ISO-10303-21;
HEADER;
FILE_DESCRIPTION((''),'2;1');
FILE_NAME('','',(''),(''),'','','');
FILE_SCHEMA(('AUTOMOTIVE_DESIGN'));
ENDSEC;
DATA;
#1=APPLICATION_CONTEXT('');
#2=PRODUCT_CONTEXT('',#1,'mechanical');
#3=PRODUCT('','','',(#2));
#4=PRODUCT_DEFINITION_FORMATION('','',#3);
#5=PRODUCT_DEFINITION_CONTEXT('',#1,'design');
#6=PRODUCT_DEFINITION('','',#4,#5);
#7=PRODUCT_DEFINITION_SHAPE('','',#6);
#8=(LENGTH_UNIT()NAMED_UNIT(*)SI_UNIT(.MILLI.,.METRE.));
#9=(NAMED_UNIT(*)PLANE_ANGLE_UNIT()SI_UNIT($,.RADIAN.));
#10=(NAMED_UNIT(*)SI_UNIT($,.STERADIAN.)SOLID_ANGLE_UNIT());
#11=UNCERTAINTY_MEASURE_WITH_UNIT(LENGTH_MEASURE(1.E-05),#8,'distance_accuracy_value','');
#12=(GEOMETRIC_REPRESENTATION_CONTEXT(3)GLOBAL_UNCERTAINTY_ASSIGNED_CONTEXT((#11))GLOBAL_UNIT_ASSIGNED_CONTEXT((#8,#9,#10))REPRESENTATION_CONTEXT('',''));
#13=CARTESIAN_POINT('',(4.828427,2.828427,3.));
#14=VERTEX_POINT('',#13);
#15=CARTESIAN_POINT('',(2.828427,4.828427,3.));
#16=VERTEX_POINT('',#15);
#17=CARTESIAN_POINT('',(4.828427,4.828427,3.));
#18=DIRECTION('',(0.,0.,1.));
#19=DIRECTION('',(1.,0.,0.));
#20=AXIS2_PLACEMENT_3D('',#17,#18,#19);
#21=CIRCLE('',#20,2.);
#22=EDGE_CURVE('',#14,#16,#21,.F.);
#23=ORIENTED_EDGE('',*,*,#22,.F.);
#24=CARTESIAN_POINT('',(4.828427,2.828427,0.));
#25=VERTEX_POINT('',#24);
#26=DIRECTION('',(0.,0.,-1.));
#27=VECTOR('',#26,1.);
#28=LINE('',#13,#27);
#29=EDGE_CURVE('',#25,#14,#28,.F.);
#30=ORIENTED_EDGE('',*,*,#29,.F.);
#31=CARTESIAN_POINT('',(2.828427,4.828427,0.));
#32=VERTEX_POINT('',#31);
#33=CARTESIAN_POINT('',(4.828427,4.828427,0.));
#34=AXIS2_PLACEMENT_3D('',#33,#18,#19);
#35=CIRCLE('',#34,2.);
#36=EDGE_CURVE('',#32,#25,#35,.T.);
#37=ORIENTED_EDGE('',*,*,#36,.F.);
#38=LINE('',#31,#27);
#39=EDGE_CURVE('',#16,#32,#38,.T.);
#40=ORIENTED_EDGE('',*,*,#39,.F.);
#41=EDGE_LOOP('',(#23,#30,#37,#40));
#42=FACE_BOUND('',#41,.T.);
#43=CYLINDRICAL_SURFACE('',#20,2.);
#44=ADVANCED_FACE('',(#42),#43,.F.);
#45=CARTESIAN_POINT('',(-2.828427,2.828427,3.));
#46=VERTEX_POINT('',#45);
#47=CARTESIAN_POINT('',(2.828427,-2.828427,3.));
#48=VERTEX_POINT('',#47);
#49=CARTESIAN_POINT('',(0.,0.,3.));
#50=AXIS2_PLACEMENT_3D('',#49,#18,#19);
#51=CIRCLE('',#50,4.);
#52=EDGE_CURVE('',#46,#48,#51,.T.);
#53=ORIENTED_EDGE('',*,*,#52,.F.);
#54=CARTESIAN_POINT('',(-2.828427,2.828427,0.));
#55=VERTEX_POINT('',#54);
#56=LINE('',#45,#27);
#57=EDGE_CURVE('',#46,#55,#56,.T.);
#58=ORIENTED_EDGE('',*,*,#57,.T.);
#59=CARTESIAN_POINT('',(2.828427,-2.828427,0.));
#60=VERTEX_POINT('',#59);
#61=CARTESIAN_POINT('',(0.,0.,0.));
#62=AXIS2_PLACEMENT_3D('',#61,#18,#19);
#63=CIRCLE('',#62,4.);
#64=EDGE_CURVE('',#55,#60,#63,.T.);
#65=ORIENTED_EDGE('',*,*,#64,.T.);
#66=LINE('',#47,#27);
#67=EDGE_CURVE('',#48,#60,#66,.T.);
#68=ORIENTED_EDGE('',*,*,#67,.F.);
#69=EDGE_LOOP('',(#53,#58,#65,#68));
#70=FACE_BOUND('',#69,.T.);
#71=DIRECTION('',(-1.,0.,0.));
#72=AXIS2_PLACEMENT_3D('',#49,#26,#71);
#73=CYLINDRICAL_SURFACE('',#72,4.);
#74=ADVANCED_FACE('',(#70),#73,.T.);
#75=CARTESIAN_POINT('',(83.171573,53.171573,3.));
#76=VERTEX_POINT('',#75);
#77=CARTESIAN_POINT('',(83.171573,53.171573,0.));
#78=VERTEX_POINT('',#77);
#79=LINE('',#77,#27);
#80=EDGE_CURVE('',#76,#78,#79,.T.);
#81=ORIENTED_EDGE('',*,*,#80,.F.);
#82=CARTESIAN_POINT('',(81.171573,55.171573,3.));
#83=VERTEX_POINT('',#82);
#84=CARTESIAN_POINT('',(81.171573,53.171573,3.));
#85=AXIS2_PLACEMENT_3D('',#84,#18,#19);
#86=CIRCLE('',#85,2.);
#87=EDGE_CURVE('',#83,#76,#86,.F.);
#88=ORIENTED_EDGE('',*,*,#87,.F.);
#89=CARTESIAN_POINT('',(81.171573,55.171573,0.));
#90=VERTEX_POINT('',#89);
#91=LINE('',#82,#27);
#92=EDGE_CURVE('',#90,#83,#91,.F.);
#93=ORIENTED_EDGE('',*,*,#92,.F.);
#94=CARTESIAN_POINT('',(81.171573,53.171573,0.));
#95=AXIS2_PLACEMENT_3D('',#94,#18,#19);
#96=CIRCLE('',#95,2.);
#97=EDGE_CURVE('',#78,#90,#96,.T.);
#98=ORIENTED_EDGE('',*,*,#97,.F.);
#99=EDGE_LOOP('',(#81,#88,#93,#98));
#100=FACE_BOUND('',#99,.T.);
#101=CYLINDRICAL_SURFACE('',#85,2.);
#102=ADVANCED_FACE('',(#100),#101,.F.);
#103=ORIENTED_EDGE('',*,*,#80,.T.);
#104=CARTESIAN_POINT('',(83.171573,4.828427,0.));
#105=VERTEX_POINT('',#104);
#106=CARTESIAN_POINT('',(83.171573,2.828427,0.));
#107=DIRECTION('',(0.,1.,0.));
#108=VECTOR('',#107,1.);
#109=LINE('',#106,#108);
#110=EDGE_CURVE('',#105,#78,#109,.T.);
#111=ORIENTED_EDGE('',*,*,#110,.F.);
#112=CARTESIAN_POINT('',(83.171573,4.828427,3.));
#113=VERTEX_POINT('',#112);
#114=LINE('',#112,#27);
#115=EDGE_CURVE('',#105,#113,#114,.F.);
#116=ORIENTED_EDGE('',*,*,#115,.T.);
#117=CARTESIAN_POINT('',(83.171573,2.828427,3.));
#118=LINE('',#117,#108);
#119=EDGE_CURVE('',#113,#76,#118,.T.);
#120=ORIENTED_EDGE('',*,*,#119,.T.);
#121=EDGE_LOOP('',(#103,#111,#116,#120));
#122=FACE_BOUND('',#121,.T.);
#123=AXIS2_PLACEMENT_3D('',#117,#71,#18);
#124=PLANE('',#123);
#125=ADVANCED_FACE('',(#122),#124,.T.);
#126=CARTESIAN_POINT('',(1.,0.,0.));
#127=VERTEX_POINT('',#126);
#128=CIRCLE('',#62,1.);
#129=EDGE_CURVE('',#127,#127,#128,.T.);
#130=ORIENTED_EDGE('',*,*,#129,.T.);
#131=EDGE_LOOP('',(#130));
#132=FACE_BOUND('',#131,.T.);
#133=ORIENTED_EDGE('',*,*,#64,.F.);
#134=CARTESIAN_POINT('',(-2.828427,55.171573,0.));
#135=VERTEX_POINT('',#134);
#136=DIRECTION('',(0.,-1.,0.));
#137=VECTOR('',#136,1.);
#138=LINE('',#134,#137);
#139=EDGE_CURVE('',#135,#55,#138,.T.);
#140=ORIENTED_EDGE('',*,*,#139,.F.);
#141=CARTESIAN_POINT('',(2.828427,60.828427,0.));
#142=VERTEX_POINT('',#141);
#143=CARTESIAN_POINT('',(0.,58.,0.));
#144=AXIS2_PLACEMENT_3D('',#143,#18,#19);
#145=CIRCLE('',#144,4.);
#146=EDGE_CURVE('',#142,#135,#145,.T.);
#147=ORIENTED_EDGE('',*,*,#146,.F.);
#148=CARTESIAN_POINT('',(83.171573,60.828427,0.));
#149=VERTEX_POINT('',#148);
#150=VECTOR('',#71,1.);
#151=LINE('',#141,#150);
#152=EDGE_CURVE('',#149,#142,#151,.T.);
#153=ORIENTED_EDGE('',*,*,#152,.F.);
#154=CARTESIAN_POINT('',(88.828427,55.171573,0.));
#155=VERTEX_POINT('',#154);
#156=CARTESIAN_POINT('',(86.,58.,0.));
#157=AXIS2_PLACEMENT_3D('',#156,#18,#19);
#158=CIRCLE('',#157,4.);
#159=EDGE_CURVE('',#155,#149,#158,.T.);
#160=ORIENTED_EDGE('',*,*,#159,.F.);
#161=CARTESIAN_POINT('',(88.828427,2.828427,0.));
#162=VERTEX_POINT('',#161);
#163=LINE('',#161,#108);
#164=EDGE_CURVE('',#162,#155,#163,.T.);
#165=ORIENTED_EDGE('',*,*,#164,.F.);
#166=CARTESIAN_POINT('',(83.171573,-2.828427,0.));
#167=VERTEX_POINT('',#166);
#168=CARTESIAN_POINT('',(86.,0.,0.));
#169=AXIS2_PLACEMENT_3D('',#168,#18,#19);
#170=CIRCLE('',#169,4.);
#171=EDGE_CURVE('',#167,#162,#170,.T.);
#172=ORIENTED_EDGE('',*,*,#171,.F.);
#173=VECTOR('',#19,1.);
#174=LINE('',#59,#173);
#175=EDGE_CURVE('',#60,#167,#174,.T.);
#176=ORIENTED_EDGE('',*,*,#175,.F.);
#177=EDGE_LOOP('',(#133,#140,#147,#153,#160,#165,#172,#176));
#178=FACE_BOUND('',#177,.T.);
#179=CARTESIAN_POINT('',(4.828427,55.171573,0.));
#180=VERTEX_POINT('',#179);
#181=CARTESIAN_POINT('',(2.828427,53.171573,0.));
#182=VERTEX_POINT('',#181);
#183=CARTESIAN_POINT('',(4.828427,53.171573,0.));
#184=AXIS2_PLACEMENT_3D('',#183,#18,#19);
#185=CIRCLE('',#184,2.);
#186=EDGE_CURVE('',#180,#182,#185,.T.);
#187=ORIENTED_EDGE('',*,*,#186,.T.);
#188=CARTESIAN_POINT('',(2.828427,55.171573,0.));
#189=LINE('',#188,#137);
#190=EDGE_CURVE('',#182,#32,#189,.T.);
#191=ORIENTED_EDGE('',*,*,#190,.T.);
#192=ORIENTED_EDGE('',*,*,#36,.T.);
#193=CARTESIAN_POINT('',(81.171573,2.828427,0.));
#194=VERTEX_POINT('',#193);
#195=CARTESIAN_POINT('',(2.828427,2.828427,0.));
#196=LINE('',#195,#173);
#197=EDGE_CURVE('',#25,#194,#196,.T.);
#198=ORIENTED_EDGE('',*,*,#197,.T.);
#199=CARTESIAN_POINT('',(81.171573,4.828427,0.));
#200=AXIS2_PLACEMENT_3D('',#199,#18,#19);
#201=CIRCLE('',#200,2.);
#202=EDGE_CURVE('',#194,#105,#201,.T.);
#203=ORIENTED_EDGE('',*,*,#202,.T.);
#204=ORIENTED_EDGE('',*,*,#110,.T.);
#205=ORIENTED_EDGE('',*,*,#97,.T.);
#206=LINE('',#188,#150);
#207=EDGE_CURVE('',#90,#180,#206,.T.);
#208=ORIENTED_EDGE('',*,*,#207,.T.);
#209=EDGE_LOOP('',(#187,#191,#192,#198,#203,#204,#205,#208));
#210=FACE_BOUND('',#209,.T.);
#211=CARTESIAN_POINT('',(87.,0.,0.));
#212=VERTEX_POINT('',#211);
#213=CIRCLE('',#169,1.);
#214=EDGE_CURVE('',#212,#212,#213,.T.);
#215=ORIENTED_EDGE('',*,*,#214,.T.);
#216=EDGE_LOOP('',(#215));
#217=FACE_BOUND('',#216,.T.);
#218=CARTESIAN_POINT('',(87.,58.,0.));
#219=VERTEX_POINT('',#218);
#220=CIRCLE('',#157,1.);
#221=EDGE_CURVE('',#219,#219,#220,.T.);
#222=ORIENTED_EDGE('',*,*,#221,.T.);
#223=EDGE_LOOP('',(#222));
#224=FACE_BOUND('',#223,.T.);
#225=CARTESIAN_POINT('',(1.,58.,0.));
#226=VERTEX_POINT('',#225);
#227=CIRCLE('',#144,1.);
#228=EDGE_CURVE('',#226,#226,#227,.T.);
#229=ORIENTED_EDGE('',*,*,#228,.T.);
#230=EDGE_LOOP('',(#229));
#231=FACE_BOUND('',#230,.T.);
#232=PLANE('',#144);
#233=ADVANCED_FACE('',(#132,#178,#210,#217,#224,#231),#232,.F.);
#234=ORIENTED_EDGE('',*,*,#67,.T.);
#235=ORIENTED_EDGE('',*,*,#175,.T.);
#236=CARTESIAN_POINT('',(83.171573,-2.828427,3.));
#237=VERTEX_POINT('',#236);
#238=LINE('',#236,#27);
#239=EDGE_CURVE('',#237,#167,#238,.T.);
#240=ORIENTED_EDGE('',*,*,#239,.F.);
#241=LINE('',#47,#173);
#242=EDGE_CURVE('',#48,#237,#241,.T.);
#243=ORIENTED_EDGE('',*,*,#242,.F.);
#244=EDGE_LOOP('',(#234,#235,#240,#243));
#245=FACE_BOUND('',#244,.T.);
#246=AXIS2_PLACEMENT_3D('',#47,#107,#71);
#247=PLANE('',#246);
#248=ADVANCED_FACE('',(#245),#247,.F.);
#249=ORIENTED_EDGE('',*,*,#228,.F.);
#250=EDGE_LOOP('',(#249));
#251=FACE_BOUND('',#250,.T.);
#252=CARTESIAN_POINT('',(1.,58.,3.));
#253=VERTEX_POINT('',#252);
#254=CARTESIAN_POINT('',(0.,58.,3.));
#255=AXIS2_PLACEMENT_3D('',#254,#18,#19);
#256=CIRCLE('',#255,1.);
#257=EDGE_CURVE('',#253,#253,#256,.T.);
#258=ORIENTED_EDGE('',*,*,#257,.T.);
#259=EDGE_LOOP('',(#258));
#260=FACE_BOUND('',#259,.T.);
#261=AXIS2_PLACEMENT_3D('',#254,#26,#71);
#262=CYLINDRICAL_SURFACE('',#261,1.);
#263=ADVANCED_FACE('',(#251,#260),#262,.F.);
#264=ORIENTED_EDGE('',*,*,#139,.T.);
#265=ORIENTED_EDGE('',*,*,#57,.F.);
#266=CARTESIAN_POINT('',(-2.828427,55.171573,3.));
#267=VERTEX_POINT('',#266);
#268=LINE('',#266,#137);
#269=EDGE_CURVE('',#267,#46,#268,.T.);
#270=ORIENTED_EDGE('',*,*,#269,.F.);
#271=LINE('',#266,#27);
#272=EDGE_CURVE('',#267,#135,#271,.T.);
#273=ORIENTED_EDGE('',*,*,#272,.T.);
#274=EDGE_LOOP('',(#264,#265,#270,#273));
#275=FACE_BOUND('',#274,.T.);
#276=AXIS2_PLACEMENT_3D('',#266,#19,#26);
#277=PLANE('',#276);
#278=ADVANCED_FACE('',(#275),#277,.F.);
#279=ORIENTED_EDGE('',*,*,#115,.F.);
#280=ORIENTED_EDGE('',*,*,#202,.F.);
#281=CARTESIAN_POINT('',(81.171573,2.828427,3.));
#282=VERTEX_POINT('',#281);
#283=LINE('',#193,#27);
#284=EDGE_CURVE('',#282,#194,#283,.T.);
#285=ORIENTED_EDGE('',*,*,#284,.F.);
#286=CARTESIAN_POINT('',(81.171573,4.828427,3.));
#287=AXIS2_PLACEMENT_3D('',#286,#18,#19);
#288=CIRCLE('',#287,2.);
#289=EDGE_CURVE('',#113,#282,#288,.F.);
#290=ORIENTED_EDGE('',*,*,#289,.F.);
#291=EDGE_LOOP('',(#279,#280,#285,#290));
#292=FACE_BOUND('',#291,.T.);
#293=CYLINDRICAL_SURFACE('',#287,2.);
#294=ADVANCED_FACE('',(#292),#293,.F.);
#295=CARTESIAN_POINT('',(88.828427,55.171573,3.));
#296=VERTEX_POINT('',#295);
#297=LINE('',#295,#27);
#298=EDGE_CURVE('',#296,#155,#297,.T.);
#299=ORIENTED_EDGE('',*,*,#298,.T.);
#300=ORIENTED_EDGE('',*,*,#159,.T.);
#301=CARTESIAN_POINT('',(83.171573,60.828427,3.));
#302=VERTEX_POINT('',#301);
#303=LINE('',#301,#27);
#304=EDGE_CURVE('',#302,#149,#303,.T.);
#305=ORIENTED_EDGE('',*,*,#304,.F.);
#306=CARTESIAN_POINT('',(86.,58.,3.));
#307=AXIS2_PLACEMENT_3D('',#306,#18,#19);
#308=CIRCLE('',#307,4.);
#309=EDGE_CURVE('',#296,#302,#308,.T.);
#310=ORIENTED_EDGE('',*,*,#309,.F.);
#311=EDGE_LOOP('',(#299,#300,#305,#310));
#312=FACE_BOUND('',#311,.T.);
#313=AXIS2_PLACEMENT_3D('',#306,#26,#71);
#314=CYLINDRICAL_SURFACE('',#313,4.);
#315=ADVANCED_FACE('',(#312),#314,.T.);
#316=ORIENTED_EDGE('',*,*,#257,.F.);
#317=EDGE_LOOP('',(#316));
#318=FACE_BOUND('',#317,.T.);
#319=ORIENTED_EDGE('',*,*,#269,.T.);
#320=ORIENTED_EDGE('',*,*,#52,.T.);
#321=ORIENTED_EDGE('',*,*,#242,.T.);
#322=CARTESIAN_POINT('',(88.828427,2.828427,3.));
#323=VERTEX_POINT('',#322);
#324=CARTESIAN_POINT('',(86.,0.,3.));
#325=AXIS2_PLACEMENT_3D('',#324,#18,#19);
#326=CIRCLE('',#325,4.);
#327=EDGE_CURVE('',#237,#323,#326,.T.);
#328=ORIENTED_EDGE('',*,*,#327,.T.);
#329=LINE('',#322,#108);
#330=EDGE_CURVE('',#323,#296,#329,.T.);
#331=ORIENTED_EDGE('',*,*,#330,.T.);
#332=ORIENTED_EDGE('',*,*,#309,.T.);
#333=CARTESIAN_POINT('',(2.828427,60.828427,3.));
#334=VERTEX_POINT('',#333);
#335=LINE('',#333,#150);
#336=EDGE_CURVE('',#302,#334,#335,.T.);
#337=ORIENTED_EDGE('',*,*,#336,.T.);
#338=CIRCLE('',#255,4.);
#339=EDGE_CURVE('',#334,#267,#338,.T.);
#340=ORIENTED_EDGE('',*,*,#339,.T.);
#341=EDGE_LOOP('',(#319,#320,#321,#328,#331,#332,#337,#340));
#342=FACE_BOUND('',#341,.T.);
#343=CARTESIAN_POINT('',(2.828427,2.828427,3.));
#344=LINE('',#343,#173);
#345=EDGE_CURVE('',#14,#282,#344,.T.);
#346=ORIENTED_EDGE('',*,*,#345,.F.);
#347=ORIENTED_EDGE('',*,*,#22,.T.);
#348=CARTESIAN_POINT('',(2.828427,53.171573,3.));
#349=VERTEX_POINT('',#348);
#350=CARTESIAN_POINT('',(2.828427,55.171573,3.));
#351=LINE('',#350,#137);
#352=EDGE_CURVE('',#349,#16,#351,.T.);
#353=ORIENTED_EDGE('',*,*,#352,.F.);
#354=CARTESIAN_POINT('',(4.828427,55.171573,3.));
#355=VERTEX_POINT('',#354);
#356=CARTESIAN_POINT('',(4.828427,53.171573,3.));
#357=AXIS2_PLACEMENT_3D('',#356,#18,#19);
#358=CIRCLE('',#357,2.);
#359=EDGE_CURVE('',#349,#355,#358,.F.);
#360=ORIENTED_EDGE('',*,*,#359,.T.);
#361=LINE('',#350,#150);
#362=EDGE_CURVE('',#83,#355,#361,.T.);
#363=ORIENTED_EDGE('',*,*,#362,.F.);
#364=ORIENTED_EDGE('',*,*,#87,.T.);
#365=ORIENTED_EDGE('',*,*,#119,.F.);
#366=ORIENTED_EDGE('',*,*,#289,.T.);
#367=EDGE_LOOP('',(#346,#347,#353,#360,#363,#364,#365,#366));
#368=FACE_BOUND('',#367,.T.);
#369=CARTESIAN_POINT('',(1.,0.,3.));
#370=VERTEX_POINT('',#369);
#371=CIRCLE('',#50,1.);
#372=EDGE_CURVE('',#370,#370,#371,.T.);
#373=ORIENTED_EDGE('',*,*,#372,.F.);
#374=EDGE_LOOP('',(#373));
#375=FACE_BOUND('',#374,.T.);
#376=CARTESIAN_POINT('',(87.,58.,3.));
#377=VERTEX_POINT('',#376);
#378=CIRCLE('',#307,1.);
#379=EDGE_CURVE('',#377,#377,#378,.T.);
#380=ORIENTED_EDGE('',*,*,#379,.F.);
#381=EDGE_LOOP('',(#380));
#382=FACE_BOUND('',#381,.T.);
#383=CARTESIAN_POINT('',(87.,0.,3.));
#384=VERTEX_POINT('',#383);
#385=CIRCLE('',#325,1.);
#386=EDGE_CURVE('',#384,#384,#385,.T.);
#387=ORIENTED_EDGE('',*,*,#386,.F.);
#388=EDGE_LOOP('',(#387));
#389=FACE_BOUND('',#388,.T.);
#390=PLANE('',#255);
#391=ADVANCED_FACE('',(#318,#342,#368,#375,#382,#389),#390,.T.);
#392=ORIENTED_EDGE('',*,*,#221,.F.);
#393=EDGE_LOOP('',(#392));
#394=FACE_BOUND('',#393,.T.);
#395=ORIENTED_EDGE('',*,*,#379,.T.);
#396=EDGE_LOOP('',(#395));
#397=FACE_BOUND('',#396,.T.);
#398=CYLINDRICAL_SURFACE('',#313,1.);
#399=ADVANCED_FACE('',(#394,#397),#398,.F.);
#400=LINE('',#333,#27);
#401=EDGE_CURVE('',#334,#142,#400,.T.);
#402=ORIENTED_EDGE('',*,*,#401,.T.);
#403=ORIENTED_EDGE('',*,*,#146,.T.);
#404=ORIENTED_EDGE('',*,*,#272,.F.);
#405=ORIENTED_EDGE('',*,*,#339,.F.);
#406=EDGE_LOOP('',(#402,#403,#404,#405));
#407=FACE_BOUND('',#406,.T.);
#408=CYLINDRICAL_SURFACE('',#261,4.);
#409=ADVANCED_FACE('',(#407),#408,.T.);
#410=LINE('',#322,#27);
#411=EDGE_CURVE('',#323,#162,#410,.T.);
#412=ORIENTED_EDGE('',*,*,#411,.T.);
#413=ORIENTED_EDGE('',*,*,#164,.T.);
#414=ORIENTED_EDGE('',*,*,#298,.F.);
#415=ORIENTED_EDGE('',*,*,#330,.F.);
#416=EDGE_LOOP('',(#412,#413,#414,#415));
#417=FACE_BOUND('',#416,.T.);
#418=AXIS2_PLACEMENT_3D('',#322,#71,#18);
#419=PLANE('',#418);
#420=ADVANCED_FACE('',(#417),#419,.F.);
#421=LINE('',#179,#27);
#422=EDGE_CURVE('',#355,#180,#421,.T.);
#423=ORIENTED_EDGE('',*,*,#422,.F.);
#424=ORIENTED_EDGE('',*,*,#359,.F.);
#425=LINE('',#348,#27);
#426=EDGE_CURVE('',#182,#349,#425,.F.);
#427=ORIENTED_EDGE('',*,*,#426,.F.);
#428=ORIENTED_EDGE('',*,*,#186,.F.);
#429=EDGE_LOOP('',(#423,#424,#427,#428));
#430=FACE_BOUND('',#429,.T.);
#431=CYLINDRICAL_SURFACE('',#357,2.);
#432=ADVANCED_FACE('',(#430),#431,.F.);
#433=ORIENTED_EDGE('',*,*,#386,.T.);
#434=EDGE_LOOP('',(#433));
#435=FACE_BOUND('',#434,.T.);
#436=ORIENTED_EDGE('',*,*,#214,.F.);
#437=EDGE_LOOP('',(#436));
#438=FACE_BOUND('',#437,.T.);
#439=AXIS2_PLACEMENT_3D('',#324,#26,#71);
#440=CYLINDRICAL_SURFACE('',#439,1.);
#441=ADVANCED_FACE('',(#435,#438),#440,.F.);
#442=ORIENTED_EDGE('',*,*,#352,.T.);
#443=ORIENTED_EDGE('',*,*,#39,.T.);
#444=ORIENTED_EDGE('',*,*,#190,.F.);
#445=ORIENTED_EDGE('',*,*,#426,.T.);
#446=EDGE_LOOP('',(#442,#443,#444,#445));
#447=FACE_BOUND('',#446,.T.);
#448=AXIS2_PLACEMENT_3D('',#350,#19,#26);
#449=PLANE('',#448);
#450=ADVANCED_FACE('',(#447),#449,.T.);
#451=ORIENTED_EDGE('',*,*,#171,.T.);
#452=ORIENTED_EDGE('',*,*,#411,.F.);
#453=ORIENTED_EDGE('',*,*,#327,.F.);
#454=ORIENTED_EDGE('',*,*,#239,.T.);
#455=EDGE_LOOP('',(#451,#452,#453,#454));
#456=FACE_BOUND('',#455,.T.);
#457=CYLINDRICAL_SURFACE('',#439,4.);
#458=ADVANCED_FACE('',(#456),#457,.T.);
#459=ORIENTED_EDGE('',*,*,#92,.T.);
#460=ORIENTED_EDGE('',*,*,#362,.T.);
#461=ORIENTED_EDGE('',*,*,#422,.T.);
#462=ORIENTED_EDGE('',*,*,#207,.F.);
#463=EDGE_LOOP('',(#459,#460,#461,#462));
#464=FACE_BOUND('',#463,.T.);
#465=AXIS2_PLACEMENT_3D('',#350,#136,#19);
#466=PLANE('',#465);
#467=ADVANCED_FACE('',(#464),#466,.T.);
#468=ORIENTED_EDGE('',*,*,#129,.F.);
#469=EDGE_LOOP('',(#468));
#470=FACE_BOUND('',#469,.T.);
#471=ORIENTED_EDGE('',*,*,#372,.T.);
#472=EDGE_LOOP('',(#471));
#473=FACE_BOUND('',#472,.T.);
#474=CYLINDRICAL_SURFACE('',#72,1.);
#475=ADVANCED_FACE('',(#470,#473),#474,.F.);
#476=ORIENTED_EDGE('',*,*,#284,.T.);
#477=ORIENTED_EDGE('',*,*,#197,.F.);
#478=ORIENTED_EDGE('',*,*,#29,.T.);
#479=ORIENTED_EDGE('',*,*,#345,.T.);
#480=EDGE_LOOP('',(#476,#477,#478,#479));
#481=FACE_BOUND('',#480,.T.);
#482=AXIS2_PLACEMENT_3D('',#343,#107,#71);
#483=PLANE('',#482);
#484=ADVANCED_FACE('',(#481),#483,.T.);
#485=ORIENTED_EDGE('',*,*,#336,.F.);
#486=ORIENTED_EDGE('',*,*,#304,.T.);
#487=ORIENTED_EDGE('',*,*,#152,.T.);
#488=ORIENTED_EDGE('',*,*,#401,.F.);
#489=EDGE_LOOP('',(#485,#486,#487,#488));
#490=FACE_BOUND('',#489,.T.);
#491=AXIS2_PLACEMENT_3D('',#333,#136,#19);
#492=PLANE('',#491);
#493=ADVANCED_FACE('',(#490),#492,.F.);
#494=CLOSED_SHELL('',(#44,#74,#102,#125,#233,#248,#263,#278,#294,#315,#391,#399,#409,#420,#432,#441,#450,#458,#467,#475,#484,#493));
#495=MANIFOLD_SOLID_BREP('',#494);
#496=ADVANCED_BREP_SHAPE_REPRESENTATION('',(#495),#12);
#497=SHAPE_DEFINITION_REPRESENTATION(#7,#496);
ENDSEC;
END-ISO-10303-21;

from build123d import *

# Parameters (mm, degrees)
SKETCH_1_R      = 1
SKETCH_1_W      = 80.34314575
SKETCH_1_H      = 52.34314575
EXTRUDE_1_DEPTH = 3
FILLET_1_R      = 2


with BuildPart() as part:
    # 草图1 → 凸台-拉伸1 (new body)
    with BuildSketch(Plane.XY):
        with BuildLine():
            Line((2.828427125, 60.828427125), (83.171572875, 60.828427125))
            ThreePointArc((83.171572875, 60.828427125), (88.828427125, 60.828427125), (88.828427125, 55.171572875))
            Line((88.828427125, 55.171572875), (88.828427125, 2.828427125))
            ThreePointArc((88.828427125, 2.828427125), (88.828427125, -2.828427125), (83.171572875, -2.828427125))
            Line((83.171572875, -2.828427125), (2.828427125, -2.828427125))
            ThreePointArc((2.828427125, -2.828427125), (-2.828427125, -2.828427125), (-2.828427125, 2.828427125))
            Line((-2.828427125, 2.828427125), (-2.828427125, 55.171572875))
            ThreePointArc((-2.828427125, 55.171572875), (-2.828427125, 60.828427125), (2.828427125, 60.828427125))
        make_face()
        with Locations((0, 58)):
            Circle(SKETCH_1_R, mode=Mode.SUBTRACT)
        Circle(SKETCH_1_R, mode=Mode.SUBTRACT)
        with Locations((86, 58)):
            Circle(SKETCH_1_R, mode=Mode.SUBTRACT)
        with Locations((86, 0)):
            Circle(SKETCH_1_R, mode=Mode.SUBTRACT)
        with Locations((43, 29)):
            Rectangle(SKETCH_1_W, SKETCH_1_H, mode=Mode.SUBTRACT)
    extrude(amount=EXTRUDE_1_DEPTH)

    # 圆角1
    fillet_1_edges = [part.edges().sort_by_distance(p)[0] for p in [
        (83.171572875, 2.828427125, 1.5),
        (83.171572875, 55.171572875, 1.5),
        (2.828427125, 55.171572875, 1.5),
        (2.828427125, 2.828427125, 1.5),
    ]]
    fillet(fillet_1_edges, radius=FILLET_1_R)


solid = part.part
